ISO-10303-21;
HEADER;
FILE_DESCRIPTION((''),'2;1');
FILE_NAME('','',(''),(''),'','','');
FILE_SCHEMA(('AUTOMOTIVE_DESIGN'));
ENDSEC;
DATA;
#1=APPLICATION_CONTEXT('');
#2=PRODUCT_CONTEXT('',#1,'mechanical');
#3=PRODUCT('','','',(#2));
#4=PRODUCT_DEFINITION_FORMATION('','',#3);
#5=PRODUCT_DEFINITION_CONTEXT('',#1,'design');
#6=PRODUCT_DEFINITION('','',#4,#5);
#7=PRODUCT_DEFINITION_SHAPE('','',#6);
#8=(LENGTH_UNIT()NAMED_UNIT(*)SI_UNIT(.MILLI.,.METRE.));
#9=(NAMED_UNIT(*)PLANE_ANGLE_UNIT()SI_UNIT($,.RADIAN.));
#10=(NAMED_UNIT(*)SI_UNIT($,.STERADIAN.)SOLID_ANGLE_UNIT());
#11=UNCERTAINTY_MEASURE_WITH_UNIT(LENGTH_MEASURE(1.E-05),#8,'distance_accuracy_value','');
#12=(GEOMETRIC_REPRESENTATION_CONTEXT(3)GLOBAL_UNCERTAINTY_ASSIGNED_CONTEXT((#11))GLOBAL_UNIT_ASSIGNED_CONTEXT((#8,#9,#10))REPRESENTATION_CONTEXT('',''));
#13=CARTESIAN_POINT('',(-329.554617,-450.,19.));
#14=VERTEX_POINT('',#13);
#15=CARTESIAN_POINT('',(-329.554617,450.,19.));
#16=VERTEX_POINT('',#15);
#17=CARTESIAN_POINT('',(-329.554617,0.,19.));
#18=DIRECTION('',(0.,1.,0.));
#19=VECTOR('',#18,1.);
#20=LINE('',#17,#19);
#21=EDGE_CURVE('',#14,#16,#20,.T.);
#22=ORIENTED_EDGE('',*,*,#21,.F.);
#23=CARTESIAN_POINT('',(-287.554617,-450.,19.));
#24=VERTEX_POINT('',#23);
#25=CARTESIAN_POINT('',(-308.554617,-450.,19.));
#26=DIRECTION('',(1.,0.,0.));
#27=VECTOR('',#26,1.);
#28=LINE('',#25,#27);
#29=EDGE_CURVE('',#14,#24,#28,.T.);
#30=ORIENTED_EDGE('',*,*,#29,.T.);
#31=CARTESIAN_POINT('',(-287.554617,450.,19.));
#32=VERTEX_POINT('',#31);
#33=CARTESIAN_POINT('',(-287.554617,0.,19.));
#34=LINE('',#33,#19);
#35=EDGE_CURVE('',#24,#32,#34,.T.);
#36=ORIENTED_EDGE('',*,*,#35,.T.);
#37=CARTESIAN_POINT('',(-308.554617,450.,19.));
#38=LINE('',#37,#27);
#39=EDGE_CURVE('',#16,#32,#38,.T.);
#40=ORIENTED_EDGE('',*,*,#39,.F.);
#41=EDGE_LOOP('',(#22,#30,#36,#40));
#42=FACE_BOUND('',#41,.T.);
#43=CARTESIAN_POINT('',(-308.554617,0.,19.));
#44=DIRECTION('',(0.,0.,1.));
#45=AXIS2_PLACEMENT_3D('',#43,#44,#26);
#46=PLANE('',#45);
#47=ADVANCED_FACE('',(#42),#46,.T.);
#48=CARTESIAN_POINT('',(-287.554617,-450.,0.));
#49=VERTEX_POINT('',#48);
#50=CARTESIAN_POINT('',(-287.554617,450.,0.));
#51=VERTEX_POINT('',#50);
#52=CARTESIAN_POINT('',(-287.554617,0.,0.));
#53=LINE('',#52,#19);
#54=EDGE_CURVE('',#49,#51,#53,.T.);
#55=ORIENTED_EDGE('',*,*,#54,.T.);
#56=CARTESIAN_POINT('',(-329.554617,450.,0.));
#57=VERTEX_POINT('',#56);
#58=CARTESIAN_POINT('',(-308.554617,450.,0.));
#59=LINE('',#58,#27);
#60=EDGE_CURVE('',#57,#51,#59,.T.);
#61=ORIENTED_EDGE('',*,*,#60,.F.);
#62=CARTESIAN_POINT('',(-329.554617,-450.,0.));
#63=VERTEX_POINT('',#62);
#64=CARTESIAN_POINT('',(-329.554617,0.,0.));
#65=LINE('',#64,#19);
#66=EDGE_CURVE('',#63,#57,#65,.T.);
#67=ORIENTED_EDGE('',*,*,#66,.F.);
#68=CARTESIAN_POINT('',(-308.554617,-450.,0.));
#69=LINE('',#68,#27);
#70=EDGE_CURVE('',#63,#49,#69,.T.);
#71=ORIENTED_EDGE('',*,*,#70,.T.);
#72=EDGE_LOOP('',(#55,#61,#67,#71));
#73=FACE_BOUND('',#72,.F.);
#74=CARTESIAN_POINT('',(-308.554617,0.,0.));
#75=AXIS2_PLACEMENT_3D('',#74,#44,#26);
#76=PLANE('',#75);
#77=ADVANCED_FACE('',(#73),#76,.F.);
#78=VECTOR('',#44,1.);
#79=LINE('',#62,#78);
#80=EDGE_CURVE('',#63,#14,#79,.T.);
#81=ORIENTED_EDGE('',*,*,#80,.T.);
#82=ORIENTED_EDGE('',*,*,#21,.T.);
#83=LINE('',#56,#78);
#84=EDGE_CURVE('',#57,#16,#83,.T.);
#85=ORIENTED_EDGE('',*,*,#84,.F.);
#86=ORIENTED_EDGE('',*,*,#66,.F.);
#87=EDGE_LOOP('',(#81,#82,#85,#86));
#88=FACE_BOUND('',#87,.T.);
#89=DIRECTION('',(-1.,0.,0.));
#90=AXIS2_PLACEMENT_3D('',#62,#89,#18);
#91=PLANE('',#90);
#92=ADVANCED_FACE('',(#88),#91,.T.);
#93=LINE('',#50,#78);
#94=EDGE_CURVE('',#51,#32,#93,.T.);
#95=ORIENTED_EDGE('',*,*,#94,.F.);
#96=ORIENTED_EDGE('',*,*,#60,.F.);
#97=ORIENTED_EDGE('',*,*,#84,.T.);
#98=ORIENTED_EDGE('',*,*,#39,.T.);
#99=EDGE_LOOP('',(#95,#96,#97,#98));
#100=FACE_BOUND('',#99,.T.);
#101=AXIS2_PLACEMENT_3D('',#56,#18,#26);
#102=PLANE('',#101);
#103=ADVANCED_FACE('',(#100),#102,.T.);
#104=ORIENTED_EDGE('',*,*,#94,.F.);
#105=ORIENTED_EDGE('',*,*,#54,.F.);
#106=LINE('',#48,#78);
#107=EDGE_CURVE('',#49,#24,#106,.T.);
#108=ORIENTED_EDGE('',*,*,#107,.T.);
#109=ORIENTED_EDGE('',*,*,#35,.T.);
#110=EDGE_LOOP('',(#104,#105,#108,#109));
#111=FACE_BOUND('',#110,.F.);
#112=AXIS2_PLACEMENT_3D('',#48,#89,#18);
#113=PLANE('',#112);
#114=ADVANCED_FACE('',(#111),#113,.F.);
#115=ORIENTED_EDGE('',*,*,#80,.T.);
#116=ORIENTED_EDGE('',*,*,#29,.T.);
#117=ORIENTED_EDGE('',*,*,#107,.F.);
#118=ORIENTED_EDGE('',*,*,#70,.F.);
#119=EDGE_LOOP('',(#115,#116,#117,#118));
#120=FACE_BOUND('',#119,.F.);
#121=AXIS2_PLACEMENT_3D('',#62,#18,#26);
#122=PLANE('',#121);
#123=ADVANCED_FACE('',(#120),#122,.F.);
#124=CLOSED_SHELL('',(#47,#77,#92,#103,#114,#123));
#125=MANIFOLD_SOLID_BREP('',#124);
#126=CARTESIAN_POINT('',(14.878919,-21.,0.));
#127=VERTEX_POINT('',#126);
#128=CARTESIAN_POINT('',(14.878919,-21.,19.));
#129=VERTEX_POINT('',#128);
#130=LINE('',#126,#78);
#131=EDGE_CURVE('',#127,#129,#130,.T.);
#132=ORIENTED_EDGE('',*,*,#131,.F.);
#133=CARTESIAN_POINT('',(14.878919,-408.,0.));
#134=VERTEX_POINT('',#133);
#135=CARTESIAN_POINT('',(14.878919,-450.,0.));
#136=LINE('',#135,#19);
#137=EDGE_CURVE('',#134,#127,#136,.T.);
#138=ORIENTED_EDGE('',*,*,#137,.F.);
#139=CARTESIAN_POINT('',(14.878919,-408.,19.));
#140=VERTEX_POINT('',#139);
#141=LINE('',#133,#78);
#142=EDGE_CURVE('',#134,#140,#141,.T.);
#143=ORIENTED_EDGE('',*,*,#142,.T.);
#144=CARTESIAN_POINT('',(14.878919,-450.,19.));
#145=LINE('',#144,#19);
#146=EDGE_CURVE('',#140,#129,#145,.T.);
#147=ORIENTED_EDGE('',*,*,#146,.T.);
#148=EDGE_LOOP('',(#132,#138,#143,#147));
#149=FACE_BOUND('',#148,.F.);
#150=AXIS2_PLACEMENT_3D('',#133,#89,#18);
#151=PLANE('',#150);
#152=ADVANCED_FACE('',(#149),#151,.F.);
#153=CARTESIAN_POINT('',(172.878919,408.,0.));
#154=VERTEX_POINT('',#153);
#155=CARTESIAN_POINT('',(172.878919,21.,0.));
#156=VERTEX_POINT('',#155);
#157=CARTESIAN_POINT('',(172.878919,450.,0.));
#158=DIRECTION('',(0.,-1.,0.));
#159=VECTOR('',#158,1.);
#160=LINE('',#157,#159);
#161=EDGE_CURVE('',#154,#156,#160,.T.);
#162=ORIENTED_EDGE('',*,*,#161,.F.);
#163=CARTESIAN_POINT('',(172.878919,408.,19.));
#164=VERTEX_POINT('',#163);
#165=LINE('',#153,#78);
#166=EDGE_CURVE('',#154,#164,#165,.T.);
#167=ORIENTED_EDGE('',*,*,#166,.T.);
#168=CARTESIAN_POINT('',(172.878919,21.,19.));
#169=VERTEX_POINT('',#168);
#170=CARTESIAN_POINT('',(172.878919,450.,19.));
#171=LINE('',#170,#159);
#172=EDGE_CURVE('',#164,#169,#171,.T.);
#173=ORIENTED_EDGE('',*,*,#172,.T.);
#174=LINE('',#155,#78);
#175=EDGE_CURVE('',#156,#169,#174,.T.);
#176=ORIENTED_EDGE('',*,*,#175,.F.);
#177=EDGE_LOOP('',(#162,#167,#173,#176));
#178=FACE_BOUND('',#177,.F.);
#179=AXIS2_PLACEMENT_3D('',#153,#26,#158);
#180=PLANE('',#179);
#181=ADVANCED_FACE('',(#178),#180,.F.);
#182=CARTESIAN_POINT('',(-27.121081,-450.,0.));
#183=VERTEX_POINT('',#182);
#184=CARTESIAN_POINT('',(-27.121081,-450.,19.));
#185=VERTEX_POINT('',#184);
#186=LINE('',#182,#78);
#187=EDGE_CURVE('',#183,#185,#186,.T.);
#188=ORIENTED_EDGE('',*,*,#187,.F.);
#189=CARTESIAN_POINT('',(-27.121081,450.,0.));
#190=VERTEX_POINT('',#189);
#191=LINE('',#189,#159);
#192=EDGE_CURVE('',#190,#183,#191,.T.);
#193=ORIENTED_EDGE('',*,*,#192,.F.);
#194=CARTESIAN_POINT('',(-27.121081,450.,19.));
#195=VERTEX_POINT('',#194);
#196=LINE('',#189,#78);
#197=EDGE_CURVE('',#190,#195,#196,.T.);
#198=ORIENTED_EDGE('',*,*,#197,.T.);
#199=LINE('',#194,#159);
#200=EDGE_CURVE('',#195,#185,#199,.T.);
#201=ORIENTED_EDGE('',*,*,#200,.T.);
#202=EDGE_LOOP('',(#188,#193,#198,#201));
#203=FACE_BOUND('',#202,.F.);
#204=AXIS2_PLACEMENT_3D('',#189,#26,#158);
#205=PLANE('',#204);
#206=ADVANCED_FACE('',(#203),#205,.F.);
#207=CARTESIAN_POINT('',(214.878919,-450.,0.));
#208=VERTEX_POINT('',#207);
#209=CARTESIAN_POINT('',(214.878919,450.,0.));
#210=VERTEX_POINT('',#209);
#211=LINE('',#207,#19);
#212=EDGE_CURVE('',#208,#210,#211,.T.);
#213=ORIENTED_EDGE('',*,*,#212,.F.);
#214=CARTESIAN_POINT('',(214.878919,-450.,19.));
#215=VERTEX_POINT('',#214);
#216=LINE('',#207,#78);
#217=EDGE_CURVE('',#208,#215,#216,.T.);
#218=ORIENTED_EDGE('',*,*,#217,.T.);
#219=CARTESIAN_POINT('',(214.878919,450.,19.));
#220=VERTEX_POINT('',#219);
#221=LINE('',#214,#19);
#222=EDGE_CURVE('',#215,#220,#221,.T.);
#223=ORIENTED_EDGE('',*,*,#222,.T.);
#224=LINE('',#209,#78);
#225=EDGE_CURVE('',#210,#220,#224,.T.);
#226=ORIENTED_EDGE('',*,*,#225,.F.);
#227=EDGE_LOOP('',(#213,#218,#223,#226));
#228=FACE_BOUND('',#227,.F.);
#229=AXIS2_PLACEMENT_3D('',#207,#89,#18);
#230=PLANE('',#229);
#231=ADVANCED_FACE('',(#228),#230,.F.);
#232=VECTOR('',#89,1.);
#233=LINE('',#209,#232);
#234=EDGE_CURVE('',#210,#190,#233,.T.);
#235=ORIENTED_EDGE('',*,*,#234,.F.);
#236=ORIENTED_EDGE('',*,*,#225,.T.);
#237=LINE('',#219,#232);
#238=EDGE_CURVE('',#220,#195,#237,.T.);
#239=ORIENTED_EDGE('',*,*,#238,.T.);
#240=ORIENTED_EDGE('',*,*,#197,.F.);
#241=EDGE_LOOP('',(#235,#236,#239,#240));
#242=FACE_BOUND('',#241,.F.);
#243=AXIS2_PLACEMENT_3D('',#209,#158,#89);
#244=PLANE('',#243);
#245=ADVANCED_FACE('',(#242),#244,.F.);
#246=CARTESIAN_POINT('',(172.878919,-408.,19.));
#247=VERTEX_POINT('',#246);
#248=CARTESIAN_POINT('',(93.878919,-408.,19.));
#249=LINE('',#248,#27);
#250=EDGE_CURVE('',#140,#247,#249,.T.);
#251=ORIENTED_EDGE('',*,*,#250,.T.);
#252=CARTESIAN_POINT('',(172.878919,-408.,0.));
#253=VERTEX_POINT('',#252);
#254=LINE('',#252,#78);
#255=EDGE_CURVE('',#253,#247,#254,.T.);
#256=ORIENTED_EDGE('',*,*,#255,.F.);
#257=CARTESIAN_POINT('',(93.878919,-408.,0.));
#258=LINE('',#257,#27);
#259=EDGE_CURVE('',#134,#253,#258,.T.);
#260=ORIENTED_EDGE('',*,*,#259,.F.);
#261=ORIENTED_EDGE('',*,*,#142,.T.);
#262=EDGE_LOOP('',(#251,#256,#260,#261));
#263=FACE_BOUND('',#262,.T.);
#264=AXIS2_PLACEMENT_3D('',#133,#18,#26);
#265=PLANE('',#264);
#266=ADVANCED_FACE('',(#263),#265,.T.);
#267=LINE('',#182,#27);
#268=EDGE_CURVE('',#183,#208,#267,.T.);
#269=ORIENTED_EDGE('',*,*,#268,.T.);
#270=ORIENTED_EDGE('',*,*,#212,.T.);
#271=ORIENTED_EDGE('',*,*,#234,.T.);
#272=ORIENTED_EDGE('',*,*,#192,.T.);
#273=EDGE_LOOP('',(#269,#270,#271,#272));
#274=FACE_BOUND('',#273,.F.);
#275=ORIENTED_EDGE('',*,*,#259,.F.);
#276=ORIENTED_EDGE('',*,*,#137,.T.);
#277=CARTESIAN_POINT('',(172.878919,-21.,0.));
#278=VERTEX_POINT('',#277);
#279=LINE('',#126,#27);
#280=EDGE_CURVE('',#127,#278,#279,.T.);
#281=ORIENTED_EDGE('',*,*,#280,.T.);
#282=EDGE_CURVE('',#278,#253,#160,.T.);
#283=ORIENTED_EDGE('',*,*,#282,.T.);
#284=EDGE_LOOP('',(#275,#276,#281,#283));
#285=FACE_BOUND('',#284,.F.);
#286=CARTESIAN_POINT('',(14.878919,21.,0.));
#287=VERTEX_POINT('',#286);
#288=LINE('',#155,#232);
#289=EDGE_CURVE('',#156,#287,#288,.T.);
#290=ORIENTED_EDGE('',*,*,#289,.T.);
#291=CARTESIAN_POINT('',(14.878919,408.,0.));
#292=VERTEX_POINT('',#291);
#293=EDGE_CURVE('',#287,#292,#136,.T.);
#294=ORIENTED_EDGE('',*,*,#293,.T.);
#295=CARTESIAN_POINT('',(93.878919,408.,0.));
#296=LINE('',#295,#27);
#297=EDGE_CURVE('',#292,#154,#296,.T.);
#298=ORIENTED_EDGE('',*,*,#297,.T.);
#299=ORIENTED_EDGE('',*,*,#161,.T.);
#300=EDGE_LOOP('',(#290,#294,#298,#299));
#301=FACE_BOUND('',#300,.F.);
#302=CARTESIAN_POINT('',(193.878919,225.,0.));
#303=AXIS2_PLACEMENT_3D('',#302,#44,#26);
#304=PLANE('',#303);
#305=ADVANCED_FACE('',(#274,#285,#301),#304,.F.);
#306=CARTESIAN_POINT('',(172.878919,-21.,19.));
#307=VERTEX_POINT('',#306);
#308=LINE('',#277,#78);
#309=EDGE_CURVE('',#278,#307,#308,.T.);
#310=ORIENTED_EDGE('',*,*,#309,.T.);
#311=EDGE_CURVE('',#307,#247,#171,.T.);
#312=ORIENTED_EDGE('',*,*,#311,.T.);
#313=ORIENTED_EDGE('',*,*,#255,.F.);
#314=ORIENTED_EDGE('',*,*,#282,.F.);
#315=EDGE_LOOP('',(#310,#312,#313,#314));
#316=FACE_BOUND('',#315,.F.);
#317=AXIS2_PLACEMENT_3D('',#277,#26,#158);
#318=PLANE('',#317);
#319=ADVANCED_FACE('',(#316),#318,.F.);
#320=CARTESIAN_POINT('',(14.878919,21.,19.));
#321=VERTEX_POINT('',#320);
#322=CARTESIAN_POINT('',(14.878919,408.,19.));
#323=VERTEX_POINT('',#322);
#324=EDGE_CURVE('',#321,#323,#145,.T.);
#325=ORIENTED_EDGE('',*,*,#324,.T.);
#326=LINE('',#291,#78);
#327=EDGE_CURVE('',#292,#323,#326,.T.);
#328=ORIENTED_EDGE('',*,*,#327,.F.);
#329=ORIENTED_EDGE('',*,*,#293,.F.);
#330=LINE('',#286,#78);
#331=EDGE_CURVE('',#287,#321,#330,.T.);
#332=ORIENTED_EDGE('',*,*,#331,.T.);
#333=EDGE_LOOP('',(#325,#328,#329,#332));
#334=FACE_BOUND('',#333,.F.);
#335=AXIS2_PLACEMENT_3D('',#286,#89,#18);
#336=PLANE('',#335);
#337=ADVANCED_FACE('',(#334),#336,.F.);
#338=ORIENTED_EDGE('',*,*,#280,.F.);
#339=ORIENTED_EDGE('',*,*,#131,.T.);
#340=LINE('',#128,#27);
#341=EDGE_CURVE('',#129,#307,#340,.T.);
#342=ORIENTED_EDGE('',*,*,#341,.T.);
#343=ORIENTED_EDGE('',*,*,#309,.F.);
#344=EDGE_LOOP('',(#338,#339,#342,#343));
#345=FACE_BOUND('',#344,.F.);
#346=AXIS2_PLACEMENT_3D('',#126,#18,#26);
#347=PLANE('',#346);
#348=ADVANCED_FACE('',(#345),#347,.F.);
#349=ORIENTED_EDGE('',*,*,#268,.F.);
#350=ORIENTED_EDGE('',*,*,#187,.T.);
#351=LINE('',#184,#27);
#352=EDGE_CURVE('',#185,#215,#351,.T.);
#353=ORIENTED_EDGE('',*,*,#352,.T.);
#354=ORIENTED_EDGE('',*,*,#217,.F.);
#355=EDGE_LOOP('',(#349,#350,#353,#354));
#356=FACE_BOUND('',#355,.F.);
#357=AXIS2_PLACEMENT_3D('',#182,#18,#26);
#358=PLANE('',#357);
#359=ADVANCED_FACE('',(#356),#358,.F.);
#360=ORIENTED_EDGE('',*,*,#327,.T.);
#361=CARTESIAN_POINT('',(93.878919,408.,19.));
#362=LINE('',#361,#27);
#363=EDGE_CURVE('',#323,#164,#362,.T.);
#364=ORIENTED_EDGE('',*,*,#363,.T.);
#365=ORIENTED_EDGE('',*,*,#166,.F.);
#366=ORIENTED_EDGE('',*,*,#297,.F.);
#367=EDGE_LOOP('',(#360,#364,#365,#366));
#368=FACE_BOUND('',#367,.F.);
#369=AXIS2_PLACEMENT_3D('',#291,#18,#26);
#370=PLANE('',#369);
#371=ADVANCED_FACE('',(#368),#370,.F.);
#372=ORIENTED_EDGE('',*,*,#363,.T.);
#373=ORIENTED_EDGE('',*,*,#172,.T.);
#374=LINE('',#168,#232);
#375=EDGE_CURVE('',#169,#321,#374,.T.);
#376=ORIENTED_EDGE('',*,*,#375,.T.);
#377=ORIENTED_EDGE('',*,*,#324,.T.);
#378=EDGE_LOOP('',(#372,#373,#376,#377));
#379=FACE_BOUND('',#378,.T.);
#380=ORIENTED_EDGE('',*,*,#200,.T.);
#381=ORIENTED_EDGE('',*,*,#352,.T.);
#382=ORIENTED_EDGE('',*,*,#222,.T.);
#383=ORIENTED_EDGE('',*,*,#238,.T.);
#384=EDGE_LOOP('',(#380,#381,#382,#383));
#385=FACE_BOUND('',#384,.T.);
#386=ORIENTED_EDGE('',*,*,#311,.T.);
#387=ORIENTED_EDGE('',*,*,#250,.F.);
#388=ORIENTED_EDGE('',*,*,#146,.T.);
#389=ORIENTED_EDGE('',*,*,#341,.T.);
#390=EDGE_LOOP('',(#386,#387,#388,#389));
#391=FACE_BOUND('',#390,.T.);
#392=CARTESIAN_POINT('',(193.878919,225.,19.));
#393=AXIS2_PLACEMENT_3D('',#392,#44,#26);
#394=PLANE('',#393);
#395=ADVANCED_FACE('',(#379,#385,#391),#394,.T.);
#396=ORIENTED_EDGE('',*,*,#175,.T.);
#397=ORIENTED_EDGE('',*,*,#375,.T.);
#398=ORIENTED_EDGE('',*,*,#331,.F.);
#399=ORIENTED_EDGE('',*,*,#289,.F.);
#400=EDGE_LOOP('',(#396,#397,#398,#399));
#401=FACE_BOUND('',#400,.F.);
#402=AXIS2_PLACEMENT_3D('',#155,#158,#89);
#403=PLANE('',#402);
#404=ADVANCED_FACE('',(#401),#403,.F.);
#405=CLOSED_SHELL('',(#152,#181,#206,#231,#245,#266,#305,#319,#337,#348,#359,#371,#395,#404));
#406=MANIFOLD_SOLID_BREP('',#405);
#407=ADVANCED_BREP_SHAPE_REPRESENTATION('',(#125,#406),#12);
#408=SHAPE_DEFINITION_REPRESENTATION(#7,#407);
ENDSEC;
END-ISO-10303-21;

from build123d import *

# Parameters (mm, degrees)
F0_W     = 158
F0_H     = 42
F1_DEPTH = 19
F2_W     = 42
F2_H     = 900
F3_DEPTH = 19


with BuildPart() as f1:
    # F0 (on Top) → F1 (new body)
    with BuildSketch(Plane.XY):
        Polygon((172.878919, 408), (172.878919, 21), (172.878919, 0), (214.878919, 0), (214.878919, 450), (172.878919, 450), align=None)
        Polygon((14.878919, 0), (14.878919, 21), (14.878919, 408), (14.878919, 450), (-27.121081, 450), (-27.121081, 0), align=None)
        Polygon((214.878919, 0), (172.878919, 0), (172.878919, -21), (172.878919, -408), (172.878919, -450), (214.878919, -450), align=None)
        with Locations((93.878919, 429)):
            Rectangle(F0_W, F0_H)
        Polygon((14.878919, -21), (14.878919, 0), (-27.121081, 0), (-27.121081, -450), (14.878919, -450), (14.878919, -408), align=None)
        with Locations((93.878919, -429)):
            Rectangle(F0_W, F0_H)
        Polygon((172.878919, 0), (172.878919, 21), (14.878919, 21), (14.878919, 0), (14.878919, -21), (172.878919, -21), align=None)
    extrude(amount=F1_DEPTH)


with BuildPart() as f3:
    # F2 (on Top) → F3 (new body)
    with BuildSketch(Plane.XY):
        with Locations((-308.554617, 0)):
            Rectangle(F2_W, F2_H)
    extrude(amount=F3_DEPTH)


solid = Compound([f1.part, f3.part])
